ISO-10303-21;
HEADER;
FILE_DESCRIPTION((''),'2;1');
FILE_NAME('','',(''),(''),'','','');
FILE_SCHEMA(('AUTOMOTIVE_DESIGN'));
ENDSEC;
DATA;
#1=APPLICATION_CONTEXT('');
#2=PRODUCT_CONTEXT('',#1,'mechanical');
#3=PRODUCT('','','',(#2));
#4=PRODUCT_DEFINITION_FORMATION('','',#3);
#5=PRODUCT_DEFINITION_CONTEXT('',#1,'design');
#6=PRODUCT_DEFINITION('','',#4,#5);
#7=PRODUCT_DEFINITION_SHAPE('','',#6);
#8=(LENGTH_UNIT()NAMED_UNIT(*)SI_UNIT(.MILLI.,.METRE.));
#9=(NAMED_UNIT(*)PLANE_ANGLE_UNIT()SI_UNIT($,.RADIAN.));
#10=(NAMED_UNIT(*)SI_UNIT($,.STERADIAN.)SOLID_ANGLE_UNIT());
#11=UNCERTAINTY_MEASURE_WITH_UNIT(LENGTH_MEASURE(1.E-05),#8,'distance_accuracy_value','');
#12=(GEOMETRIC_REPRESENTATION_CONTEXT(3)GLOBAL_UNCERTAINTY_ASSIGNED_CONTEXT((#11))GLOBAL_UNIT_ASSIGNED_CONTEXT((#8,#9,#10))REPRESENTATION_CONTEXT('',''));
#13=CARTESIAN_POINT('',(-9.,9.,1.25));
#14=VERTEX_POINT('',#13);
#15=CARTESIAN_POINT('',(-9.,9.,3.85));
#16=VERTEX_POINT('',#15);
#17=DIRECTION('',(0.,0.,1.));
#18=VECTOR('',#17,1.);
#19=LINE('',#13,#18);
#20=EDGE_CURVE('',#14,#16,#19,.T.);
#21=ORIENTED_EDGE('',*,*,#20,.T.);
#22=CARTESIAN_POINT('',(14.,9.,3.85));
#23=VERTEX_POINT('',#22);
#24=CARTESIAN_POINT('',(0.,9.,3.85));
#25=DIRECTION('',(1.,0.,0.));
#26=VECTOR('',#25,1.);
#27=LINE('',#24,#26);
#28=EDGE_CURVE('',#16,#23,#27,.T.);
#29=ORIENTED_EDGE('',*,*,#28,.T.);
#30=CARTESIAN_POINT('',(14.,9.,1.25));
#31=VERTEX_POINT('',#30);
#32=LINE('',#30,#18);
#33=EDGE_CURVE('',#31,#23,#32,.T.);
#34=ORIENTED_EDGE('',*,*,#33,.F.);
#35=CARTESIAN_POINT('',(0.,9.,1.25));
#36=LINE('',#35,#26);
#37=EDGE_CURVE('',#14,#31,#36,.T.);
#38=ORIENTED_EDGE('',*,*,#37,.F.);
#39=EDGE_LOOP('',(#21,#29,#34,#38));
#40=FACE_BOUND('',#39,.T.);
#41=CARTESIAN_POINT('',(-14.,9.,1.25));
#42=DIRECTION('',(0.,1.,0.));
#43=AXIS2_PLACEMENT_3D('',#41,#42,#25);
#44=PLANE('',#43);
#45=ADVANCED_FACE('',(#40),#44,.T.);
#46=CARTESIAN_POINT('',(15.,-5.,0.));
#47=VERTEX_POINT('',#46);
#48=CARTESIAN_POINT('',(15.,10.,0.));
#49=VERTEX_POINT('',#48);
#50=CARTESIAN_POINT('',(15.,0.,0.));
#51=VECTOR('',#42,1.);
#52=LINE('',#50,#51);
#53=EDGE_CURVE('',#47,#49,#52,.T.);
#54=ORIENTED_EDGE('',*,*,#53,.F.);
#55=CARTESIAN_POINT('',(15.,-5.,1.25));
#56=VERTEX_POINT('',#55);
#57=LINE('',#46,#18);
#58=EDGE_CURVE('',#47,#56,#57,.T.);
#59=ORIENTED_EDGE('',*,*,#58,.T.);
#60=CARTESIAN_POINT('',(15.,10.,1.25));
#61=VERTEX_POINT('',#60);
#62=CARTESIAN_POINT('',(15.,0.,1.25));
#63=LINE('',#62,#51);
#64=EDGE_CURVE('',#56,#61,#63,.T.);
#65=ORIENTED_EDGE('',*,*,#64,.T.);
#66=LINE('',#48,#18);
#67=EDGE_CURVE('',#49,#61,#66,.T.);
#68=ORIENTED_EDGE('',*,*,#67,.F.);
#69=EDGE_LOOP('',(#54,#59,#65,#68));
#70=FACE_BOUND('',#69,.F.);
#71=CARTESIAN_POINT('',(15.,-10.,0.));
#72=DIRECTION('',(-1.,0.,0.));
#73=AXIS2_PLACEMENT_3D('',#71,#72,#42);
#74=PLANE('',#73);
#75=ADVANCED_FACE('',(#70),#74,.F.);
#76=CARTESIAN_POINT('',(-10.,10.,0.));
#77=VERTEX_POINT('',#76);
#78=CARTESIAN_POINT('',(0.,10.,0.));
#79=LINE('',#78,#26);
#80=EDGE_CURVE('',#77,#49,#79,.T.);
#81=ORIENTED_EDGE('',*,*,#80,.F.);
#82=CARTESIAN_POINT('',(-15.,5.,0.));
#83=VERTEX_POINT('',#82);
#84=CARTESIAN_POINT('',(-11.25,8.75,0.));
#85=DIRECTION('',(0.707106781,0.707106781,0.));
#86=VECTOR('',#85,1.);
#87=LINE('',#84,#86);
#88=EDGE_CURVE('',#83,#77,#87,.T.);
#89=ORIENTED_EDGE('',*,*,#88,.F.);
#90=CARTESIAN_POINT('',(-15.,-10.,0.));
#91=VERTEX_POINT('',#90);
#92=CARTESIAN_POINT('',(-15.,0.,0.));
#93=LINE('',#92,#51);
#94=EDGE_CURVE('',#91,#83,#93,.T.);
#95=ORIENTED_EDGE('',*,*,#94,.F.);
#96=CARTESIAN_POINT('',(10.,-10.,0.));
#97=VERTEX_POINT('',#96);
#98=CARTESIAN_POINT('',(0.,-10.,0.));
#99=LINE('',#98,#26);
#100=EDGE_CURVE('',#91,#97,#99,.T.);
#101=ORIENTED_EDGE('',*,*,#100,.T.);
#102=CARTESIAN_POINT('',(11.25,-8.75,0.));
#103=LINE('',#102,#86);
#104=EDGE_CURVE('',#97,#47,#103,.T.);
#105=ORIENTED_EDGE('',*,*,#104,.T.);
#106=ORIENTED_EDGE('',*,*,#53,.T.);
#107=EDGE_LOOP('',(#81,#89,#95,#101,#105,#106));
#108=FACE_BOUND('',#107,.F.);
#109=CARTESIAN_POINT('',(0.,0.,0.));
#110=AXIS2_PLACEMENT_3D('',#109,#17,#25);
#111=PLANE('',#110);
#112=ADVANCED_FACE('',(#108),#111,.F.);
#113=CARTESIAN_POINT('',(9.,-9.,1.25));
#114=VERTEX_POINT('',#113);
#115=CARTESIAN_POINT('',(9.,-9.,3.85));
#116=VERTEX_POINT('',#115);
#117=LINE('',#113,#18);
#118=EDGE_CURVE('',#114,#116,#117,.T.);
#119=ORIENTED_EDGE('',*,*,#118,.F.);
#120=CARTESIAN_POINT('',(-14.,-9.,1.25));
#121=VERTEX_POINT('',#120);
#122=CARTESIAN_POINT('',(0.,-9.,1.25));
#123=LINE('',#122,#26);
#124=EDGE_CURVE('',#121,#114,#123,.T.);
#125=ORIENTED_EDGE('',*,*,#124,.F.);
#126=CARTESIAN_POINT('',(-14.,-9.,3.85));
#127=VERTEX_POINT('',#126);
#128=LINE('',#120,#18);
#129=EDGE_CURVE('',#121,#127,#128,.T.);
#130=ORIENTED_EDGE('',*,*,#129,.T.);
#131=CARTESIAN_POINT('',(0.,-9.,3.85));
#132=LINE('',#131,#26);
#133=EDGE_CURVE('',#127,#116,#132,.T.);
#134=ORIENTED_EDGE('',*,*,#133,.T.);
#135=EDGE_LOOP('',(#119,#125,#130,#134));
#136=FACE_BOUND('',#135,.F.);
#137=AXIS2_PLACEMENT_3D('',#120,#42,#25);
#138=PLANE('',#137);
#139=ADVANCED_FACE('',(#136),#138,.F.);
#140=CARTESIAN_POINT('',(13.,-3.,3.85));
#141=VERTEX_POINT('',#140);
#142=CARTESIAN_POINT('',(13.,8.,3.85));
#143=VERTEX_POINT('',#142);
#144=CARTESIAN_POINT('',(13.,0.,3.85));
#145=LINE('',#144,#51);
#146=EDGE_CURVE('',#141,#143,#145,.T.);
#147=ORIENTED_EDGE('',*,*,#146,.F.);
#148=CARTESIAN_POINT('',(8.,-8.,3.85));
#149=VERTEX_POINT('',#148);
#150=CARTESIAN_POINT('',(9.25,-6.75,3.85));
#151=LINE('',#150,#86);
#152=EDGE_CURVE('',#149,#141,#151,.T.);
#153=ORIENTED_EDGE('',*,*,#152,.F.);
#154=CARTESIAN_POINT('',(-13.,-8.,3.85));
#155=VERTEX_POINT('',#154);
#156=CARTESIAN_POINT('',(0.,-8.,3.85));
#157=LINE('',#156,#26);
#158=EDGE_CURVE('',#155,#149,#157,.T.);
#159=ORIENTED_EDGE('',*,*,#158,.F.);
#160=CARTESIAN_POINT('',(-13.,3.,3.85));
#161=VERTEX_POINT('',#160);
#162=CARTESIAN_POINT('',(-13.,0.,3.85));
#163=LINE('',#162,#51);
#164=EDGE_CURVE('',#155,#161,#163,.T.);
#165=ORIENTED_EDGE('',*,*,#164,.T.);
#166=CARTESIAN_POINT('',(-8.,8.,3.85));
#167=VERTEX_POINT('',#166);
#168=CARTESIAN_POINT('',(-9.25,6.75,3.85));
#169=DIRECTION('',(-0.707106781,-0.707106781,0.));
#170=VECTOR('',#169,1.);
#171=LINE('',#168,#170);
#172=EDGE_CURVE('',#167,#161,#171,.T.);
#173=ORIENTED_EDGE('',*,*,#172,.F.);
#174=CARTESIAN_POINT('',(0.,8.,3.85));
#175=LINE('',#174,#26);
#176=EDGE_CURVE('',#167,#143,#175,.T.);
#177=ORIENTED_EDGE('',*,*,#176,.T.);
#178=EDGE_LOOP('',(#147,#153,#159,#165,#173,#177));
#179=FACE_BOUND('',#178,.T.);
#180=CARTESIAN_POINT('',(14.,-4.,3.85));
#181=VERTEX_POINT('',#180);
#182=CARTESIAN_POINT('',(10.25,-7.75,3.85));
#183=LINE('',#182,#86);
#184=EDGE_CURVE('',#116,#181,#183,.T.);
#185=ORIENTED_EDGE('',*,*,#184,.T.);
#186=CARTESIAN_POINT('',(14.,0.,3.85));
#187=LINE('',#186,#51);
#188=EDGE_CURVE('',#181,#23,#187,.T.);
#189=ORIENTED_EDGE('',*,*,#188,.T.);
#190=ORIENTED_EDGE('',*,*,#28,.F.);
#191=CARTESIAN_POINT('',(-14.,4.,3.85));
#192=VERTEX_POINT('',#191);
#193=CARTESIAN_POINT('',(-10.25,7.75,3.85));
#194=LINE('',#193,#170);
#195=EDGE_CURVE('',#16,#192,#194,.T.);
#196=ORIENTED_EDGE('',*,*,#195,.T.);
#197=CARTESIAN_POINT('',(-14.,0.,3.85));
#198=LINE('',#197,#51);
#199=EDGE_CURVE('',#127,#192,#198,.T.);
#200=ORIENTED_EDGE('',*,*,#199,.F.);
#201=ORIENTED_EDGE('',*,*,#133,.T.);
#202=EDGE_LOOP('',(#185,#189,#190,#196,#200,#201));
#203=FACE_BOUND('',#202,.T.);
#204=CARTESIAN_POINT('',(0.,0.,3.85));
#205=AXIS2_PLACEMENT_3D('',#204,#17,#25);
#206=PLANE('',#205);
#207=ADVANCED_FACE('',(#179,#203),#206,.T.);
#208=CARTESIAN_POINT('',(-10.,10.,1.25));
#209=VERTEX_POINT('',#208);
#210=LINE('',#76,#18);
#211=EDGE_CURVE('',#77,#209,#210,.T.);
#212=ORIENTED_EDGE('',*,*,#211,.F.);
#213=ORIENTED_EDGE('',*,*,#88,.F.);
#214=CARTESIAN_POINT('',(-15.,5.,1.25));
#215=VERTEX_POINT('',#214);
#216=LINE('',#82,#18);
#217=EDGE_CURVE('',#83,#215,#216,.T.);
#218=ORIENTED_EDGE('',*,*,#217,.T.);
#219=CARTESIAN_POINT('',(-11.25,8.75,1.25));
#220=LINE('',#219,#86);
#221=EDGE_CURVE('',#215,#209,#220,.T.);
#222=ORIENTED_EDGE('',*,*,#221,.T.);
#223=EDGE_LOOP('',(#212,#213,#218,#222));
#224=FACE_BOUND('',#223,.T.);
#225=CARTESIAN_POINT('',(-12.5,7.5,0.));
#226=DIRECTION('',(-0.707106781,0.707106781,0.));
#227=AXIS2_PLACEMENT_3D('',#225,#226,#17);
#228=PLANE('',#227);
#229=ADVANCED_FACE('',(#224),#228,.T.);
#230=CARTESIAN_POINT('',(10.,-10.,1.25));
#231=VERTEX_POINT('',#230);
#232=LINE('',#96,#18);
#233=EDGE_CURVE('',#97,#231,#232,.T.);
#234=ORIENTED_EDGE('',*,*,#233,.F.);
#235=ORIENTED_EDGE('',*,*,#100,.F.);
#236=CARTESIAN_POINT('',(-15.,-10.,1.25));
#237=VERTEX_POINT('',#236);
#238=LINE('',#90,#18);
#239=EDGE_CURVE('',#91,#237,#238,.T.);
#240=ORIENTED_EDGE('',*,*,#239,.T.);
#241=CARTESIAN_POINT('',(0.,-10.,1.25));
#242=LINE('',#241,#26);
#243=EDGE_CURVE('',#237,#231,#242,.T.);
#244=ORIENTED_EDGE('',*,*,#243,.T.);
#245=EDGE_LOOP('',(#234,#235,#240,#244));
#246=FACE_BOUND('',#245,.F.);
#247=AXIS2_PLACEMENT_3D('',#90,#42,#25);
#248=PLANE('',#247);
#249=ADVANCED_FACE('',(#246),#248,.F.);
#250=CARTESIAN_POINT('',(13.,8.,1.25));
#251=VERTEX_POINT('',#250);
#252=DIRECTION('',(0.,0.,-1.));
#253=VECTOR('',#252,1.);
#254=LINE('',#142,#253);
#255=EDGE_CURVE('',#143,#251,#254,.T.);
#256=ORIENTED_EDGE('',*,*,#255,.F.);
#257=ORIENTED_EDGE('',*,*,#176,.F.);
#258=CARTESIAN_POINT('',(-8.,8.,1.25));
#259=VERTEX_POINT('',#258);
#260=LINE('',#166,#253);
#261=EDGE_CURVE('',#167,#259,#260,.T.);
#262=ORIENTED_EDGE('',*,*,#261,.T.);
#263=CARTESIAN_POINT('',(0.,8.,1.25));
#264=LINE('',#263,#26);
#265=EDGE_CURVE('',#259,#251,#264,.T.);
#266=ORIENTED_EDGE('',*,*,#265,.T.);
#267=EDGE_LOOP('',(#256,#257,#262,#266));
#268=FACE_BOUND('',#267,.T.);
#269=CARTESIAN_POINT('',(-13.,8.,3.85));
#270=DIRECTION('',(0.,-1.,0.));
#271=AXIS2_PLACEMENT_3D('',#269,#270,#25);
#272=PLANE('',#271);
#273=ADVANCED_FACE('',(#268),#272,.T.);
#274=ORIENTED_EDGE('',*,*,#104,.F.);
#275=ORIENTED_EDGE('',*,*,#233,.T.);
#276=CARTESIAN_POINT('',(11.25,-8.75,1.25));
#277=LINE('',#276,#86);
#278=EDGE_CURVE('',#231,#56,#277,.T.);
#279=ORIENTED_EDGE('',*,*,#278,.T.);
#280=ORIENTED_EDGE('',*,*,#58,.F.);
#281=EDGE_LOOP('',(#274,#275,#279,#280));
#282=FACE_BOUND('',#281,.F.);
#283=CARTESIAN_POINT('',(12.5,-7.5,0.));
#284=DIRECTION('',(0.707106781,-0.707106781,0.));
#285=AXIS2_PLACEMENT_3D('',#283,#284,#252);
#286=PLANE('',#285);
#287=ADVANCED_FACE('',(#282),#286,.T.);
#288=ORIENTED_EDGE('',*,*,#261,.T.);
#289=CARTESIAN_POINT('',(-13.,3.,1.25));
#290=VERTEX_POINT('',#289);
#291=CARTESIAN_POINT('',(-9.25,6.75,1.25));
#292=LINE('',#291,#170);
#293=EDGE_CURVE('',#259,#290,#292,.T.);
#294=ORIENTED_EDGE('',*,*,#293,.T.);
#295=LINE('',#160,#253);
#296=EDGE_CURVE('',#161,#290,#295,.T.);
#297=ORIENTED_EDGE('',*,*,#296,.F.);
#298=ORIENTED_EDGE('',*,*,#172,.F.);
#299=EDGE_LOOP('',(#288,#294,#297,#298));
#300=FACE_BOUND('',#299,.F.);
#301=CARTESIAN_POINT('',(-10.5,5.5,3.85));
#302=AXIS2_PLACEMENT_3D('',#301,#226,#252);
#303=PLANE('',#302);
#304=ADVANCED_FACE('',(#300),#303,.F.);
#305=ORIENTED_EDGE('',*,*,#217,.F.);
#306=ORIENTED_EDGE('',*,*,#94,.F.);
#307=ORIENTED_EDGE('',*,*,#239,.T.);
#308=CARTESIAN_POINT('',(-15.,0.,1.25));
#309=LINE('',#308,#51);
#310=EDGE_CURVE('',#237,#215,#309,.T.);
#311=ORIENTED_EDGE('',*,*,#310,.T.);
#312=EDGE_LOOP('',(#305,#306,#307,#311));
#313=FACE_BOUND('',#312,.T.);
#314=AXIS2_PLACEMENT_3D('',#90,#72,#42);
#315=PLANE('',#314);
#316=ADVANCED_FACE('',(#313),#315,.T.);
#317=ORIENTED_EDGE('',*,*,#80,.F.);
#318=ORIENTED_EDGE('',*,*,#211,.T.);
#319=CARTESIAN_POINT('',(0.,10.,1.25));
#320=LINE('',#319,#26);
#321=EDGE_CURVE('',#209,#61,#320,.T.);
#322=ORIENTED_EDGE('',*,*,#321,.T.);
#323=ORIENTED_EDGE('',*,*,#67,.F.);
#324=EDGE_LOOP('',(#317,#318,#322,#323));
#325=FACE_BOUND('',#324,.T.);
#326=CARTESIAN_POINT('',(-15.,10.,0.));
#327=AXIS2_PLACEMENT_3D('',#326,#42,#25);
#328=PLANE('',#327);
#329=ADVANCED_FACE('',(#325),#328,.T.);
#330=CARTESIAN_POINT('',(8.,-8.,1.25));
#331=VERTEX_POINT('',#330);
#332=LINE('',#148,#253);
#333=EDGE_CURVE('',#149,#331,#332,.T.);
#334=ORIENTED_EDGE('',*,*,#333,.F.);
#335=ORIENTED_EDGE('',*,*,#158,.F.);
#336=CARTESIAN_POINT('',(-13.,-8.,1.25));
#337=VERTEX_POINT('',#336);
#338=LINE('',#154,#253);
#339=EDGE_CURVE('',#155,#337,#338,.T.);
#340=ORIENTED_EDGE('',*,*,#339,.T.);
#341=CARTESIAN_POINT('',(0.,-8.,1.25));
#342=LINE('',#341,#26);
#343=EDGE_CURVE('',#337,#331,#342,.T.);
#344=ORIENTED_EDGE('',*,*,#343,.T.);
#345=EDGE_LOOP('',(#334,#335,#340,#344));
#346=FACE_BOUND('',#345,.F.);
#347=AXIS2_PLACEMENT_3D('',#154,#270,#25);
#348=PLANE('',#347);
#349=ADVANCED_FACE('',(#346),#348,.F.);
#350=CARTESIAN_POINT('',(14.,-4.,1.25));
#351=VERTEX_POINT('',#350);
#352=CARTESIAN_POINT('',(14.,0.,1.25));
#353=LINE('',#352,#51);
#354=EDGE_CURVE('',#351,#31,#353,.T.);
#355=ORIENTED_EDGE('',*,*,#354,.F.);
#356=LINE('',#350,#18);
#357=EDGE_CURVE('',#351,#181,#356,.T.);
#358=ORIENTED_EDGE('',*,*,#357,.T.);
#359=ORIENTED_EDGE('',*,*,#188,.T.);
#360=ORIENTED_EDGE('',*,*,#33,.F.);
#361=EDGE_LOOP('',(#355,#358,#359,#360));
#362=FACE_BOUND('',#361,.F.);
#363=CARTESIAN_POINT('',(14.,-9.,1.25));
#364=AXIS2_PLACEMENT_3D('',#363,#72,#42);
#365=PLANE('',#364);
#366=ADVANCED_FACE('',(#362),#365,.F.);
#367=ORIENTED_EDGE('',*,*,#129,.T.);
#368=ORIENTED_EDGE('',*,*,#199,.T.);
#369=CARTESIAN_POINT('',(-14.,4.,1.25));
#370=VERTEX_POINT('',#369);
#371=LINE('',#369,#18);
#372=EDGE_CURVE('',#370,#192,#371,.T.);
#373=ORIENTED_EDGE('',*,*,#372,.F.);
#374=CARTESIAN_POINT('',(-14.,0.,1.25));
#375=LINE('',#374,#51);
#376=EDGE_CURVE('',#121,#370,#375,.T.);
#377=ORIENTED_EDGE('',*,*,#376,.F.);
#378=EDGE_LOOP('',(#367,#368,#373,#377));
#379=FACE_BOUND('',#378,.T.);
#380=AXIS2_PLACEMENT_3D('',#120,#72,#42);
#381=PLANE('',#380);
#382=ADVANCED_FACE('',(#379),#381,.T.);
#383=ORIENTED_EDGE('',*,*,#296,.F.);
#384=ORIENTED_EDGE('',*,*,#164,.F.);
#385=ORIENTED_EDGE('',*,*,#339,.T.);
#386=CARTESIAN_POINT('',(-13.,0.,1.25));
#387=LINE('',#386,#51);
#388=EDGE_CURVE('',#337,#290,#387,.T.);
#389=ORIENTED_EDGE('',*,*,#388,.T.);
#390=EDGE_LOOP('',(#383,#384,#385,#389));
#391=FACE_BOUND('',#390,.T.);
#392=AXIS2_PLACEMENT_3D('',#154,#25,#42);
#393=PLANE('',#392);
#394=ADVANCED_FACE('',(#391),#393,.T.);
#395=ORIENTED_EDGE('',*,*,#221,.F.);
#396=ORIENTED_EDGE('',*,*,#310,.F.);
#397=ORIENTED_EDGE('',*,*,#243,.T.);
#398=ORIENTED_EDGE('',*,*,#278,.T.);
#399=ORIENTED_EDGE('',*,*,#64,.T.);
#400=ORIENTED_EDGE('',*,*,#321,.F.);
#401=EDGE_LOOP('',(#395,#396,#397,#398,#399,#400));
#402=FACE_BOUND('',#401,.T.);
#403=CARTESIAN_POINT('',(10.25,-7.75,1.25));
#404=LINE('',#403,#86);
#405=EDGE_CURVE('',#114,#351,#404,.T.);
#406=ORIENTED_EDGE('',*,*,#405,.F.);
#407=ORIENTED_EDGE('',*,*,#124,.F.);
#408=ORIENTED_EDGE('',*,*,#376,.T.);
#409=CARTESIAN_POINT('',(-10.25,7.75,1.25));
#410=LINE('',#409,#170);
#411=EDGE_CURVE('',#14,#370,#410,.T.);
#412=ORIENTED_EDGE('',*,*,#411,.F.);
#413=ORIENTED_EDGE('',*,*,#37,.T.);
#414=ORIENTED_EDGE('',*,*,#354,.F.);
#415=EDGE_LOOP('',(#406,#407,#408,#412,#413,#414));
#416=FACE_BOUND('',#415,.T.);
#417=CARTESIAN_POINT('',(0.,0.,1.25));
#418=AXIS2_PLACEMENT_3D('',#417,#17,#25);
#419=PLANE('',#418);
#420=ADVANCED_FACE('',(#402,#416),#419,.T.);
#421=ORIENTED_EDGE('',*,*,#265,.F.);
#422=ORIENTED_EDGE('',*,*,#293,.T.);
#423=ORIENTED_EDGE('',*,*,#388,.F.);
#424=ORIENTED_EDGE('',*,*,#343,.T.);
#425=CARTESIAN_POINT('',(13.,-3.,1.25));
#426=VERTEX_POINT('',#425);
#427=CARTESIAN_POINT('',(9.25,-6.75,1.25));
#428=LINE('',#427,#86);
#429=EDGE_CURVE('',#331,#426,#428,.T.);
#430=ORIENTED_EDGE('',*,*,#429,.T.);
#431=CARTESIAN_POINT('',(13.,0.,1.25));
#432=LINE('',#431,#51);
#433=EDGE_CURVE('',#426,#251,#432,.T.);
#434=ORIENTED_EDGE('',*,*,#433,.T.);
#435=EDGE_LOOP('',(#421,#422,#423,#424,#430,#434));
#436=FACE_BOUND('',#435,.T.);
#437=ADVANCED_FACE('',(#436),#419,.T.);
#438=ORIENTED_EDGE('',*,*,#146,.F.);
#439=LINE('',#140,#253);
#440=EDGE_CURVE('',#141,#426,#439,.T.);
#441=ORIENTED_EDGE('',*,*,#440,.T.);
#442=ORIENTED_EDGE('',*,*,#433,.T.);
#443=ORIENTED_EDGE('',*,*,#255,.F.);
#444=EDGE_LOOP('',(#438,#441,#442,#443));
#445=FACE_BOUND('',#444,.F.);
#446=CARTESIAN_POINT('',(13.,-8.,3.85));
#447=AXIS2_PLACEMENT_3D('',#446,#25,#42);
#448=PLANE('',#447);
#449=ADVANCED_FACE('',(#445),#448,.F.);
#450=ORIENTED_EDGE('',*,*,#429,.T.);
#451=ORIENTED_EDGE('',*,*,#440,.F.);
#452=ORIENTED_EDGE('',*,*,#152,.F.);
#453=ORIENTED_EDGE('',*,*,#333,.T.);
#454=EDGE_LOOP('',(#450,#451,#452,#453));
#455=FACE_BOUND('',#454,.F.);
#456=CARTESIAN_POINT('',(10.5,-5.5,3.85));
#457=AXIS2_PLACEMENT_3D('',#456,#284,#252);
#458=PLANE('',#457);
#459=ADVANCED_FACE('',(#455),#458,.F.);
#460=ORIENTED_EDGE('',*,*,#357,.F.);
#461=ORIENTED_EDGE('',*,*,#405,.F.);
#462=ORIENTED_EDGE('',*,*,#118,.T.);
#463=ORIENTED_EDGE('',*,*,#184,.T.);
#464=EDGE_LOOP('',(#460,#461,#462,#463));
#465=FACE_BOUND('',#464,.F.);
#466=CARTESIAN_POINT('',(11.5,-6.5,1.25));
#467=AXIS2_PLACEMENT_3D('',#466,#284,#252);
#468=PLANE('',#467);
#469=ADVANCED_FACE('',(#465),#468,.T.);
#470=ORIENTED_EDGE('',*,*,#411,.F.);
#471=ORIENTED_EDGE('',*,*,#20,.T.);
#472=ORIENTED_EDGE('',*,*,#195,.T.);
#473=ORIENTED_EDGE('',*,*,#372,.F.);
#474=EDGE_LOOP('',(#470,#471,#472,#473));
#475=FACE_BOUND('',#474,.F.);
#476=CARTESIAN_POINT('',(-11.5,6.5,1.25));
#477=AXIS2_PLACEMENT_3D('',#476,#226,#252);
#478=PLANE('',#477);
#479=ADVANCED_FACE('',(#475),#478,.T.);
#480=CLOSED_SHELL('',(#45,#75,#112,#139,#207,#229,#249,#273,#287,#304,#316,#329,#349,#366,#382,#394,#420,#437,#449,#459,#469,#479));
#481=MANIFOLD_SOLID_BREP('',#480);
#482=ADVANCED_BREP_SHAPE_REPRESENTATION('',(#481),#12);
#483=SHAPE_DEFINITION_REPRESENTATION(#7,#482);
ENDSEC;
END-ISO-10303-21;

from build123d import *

# Parameters (mm, degrees)
F0_W     = 30
F0_H     = 20
F1_DEPTH = 1.25
F2_W     = 28
F2_H     = 18
F3_DEPTH = 2.6
F4_W     = 26
F4_H     = 16
F5_DEPTH = 2.6
F6_SIZE  = 5
F7_SIZE  = 5


with BuildPart() as f1:
    # F0 (on Top) → F1 (new body)
    with BuildSketch(Plane.XY):
        Rectangle(F0_W, F0_H)
    extrude(amount=F1_DEPTH)

    # F2 (on face) → F3 (join)
    with BuildSketch(Plane.XY.offset(1.25)):
        Rectangle(F2_W, F2_H)
    extrude(amount=F3_DEPTH)

    # F4 (on face) → F5 (cut)
    with BuildSketch(Plane.XY.offset(3.85)):
        Rectangle(F4_W, F4_H)
    extrude(amount=-F5_DEPTH, mode=Mode.SUBTRACT)

    # F6
    f6_edges = [f1.edges().sort_by_distance(p)[0] for p in [
        (-13, 8, 2.55),
        (13, -8, 2.55),
        (-14, 9, 2.55),
        (14, -9, 2.55),
    ]]
    chamfer(f6_edges, length=F6_SIZE)

    # F7
    f7_edges = [f1.edges().sort_by_distance(p)[0] for p in [
        (15, -10, 0.625),
        (-15, 10, 0.625),
    ]]
    chamfer(f7_edges, length=F7_SIZE)


solid = f1.part
